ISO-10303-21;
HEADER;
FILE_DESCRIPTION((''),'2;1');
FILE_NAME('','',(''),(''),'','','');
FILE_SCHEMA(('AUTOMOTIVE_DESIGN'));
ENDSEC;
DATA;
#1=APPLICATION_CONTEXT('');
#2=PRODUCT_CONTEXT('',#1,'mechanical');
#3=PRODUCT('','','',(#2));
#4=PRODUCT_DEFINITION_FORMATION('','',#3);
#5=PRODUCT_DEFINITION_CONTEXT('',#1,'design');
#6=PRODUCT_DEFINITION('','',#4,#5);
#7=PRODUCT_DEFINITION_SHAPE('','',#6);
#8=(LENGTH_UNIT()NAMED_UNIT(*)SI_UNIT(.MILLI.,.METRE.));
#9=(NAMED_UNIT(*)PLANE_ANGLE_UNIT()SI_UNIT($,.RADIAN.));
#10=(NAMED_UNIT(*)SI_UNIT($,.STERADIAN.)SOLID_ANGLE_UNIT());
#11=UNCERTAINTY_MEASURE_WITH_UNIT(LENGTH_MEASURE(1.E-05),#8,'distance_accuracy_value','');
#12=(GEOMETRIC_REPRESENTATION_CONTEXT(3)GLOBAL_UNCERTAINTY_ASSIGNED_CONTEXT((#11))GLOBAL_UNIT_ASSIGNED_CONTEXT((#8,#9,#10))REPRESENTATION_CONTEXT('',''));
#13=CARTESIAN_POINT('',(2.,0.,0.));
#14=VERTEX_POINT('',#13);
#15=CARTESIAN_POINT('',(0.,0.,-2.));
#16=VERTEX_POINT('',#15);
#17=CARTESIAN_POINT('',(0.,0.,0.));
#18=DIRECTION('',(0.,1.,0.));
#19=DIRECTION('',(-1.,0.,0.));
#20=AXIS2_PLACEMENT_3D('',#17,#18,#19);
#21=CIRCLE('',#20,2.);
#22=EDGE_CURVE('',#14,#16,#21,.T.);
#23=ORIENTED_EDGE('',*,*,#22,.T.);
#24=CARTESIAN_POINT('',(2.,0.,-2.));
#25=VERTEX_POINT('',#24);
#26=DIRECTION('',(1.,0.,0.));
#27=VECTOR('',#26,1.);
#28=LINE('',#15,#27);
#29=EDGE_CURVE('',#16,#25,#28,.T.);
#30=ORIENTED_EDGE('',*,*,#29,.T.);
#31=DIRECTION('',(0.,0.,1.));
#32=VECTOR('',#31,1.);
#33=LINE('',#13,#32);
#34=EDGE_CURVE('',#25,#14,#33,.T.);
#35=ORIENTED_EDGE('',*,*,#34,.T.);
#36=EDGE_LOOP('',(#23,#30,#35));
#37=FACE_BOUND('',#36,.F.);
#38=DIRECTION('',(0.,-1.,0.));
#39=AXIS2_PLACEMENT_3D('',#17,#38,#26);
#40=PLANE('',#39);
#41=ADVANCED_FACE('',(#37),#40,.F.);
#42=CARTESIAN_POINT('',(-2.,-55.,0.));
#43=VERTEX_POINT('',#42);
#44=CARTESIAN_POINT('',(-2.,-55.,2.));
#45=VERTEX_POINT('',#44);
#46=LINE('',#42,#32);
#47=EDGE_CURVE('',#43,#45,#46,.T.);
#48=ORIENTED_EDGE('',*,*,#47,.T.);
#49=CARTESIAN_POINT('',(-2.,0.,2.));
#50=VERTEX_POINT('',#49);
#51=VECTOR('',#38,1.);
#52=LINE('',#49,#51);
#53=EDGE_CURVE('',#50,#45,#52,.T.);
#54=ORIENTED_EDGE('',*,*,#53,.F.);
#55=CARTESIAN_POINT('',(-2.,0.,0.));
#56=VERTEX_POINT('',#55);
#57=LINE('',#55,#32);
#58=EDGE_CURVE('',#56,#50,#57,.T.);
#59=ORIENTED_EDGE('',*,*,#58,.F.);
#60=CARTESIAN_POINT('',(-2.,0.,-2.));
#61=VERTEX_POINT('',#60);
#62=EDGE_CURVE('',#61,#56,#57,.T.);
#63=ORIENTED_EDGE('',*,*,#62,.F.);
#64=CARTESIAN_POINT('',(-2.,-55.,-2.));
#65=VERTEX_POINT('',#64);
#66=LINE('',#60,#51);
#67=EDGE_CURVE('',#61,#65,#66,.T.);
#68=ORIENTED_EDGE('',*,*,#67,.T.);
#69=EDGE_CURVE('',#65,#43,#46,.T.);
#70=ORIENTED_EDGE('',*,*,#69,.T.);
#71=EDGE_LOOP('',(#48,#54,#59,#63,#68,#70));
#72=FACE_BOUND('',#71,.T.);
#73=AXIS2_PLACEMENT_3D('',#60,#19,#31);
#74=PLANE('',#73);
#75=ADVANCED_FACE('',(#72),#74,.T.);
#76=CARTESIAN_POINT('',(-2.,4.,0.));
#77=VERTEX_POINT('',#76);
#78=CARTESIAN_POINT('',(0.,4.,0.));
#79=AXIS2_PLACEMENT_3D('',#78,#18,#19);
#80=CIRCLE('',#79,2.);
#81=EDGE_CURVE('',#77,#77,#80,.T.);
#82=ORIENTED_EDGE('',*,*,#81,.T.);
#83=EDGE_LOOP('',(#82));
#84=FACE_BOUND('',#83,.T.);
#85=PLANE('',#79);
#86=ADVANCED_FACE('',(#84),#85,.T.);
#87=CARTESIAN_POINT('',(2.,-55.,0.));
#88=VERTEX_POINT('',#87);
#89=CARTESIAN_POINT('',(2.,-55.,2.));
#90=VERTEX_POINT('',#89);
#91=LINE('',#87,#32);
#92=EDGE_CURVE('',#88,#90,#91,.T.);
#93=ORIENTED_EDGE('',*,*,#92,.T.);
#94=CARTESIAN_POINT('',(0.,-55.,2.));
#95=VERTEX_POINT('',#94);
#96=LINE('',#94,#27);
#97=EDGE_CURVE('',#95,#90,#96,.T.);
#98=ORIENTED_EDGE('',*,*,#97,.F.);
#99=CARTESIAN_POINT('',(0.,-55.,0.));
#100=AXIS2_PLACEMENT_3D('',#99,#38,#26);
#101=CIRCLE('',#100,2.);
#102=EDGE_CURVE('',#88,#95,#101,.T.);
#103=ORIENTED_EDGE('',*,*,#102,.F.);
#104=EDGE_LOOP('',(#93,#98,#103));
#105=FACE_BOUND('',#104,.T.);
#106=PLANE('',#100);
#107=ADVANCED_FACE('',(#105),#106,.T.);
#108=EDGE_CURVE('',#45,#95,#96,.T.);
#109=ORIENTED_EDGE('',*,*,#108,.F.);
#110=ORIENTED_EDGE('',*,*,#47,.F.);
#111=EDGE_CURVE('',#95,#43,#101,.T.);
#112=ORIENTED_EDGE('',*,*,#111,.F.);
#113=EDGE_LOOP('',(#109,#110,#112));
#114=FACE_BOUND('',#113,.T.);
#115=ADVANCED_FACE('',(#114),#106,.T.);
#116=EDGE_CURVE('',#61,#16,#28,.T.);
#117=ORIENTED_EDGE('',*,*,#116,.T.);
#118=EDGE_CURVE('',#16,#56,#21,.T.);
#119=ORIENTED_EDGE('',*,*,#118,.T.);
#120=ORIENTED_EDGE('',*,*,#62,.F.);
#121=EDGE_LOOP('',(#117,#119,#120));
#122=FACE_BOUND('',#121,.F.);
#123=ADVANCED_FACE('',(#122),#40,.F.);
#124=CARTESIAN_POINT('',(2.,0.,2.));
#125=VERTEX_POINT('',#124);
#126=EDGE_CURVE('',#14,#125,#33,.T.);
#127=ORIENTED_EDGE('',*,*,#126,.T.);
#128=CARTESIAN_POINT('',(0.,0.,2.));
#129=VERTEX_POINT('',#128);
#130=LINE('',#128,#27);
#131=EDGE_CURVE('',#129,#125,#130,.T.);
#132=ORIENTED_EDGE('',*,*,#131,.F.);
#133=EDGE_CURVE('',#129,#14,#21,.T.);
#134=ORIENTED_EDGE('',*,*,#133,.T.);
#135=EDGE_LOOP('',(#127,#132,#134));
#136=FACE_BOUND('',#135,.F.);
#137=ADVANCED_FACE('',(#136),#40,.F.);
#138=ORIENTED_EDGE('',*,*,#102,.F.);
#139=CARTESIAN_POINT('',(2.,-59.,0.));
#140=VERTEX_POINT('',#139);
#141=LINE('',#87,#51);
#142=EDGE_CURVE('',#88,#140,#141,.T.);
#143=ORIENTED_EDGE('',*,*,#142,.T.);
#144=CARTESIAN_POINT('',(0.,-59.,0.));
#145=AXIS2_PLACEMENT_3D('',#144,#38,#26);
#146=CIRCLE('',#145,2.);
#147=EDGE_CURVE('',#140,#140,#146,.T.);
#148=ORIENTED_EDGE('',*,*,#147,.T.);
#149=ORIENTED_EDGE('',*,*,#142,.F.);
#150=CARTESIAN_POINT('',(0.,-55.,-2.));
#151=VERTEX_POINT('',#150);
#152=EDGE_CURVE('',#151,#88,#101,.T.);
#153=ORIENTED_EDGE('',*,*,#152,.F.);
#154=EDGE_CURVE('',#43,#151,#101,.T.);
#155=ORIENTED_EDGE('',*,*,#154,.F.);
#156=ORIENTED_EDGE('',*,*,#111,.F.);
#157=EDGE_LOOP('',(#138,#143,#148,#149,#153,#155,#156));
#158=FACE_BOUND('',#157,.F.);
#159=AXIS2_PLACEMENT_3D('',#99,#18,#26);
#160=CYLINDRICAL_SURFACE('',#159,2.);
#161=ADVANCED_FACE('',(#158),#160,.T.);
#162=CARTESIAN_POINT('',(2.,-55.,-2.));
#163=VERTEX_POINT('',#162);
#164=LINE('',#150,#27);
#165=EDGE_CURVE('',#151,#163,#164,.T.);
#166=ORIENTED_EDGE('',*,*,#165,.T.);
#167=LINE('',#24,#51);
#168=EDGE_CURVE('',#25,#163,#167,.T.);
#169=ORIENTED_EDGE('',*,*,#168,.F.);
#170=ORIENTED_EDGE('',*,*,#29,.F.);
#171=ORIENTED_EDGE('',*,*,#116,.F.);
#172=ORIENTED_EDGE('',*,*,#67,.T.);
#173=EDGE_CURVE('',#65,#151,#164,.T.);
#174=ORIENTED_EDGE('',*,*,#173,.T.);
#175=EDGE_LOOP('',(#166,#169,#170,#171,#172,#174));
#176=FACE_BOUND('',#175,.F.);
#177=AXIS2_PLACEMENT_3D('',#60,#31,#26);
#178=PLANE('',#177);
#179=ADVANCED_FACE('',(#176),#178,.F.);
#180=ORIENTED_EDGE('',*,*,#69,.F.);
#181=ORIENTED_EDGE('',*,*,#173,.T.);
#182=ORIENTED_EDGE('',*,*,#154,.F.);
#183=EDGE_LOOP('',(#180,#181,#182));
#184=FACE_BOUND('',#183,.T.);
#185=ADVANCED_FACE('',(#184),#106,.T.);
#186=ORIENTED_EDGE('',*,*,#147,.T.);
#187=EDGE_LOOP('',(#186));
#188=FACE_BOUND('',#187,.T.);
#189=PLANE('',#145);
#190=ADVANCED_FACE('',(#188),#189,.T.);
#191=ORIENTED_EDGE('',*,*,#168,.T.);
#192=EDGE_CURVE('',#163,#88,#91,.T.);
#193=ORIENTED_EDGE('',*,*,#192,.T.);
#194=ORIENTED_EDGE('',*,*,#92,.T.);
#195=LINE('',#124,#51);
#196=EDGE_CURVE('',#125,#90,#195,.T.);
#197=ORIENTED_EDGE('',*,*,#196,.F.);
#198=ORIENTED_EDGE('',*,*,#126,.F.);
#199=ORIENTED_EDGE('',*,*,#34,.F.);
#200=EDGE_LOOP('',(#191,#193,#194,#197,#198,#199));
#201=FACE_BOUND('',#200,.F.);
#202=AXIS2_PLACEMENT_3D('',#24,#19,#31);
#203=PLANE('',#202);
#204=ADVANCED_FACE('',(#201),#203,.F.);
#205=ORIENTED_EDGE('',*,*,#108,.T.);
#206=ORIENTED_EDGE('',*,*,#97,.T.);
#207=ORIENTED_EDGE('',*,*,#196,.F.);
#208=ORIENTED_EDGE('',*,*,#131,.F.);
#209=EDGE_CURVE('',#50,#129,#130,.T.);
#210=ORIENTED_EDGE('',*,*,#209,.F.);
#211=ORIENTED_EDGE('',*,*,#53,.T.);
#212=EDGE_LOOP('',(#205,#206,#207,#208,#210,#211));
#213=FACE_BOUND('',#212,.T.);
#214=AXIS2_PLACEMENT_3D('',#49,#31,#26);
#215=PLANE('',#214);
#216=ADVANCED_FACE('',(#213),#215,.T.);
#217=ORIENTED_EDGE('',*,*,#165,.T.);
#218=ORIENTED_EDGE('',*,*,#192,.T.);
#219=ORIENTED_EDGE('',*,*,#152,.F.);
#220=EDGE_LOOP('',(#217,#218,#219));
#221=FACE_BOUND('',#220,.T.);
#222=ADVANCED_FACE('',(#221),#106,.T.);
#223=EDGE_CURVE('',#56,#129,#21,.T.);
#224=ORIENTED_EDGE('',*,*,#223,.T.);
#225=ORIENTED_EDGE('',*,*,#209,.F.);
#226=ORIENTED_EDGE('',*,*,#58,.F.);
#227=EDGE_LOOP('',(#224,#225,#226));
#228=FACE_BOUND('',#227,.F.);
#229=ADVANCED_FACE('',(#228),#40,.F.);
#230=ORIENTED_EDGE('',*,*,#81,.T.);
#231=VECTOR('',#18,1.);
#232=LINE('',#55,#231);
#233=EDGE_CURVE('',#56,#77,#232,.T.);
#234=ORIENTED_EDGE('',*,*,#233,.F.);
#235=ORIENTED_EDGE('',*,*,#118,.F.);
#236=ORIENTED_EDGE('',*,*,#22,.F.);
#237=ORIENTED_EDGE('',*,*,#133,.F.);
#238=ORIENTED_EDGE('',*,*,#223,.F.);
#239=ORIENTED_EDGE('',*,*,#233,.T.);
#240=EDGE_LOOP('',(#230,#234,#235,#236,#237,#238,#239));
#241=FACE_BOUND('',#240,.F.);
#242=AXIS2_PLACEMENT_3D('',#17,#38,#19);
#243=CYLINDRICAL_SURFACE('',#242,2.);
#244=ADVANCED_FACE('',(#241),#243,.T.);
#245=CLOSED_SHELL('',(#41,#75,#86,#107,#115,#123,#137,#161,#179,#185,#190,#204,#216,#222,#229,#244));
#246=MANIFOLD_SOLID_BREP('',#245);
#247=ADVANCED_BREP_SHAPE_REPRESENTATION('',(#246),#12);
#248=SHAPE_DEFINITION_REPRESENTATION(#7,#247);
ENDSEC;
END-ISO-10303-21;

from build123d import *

# Parameters (mm, degrees)
F0_W     = 4
F0_H     = 4
F1_DEPTH = 55
F2_R     = 2
F3_DEPTH = 4
F4_R     = 2
F5_DEPTH = 4


with BuildPart() as f1:
    # F0 (on Front) → F1 (new body)
    with BuildSketch(Plane.XZ):
        Rectangle(F0_W, F0_H)
    extrude(amount=F1_DEPTH)

    # F2 (on face) → F3 (join)
    with BuildSketch(Plane(origin=(0, 0, 0), x_dir=(-1, 0, 0), z_dir=(0, 1, 0))):
        Circle(F2_R)
    extrude(amount=F3_DEPTH)

    # F4 (on face) → F5 (join)
    with BuildSketch(Plane.XZ.offset(55)):
        Circle(F4_R)
    extrude(amount=F5_DEPTH)


solid = f1.part
